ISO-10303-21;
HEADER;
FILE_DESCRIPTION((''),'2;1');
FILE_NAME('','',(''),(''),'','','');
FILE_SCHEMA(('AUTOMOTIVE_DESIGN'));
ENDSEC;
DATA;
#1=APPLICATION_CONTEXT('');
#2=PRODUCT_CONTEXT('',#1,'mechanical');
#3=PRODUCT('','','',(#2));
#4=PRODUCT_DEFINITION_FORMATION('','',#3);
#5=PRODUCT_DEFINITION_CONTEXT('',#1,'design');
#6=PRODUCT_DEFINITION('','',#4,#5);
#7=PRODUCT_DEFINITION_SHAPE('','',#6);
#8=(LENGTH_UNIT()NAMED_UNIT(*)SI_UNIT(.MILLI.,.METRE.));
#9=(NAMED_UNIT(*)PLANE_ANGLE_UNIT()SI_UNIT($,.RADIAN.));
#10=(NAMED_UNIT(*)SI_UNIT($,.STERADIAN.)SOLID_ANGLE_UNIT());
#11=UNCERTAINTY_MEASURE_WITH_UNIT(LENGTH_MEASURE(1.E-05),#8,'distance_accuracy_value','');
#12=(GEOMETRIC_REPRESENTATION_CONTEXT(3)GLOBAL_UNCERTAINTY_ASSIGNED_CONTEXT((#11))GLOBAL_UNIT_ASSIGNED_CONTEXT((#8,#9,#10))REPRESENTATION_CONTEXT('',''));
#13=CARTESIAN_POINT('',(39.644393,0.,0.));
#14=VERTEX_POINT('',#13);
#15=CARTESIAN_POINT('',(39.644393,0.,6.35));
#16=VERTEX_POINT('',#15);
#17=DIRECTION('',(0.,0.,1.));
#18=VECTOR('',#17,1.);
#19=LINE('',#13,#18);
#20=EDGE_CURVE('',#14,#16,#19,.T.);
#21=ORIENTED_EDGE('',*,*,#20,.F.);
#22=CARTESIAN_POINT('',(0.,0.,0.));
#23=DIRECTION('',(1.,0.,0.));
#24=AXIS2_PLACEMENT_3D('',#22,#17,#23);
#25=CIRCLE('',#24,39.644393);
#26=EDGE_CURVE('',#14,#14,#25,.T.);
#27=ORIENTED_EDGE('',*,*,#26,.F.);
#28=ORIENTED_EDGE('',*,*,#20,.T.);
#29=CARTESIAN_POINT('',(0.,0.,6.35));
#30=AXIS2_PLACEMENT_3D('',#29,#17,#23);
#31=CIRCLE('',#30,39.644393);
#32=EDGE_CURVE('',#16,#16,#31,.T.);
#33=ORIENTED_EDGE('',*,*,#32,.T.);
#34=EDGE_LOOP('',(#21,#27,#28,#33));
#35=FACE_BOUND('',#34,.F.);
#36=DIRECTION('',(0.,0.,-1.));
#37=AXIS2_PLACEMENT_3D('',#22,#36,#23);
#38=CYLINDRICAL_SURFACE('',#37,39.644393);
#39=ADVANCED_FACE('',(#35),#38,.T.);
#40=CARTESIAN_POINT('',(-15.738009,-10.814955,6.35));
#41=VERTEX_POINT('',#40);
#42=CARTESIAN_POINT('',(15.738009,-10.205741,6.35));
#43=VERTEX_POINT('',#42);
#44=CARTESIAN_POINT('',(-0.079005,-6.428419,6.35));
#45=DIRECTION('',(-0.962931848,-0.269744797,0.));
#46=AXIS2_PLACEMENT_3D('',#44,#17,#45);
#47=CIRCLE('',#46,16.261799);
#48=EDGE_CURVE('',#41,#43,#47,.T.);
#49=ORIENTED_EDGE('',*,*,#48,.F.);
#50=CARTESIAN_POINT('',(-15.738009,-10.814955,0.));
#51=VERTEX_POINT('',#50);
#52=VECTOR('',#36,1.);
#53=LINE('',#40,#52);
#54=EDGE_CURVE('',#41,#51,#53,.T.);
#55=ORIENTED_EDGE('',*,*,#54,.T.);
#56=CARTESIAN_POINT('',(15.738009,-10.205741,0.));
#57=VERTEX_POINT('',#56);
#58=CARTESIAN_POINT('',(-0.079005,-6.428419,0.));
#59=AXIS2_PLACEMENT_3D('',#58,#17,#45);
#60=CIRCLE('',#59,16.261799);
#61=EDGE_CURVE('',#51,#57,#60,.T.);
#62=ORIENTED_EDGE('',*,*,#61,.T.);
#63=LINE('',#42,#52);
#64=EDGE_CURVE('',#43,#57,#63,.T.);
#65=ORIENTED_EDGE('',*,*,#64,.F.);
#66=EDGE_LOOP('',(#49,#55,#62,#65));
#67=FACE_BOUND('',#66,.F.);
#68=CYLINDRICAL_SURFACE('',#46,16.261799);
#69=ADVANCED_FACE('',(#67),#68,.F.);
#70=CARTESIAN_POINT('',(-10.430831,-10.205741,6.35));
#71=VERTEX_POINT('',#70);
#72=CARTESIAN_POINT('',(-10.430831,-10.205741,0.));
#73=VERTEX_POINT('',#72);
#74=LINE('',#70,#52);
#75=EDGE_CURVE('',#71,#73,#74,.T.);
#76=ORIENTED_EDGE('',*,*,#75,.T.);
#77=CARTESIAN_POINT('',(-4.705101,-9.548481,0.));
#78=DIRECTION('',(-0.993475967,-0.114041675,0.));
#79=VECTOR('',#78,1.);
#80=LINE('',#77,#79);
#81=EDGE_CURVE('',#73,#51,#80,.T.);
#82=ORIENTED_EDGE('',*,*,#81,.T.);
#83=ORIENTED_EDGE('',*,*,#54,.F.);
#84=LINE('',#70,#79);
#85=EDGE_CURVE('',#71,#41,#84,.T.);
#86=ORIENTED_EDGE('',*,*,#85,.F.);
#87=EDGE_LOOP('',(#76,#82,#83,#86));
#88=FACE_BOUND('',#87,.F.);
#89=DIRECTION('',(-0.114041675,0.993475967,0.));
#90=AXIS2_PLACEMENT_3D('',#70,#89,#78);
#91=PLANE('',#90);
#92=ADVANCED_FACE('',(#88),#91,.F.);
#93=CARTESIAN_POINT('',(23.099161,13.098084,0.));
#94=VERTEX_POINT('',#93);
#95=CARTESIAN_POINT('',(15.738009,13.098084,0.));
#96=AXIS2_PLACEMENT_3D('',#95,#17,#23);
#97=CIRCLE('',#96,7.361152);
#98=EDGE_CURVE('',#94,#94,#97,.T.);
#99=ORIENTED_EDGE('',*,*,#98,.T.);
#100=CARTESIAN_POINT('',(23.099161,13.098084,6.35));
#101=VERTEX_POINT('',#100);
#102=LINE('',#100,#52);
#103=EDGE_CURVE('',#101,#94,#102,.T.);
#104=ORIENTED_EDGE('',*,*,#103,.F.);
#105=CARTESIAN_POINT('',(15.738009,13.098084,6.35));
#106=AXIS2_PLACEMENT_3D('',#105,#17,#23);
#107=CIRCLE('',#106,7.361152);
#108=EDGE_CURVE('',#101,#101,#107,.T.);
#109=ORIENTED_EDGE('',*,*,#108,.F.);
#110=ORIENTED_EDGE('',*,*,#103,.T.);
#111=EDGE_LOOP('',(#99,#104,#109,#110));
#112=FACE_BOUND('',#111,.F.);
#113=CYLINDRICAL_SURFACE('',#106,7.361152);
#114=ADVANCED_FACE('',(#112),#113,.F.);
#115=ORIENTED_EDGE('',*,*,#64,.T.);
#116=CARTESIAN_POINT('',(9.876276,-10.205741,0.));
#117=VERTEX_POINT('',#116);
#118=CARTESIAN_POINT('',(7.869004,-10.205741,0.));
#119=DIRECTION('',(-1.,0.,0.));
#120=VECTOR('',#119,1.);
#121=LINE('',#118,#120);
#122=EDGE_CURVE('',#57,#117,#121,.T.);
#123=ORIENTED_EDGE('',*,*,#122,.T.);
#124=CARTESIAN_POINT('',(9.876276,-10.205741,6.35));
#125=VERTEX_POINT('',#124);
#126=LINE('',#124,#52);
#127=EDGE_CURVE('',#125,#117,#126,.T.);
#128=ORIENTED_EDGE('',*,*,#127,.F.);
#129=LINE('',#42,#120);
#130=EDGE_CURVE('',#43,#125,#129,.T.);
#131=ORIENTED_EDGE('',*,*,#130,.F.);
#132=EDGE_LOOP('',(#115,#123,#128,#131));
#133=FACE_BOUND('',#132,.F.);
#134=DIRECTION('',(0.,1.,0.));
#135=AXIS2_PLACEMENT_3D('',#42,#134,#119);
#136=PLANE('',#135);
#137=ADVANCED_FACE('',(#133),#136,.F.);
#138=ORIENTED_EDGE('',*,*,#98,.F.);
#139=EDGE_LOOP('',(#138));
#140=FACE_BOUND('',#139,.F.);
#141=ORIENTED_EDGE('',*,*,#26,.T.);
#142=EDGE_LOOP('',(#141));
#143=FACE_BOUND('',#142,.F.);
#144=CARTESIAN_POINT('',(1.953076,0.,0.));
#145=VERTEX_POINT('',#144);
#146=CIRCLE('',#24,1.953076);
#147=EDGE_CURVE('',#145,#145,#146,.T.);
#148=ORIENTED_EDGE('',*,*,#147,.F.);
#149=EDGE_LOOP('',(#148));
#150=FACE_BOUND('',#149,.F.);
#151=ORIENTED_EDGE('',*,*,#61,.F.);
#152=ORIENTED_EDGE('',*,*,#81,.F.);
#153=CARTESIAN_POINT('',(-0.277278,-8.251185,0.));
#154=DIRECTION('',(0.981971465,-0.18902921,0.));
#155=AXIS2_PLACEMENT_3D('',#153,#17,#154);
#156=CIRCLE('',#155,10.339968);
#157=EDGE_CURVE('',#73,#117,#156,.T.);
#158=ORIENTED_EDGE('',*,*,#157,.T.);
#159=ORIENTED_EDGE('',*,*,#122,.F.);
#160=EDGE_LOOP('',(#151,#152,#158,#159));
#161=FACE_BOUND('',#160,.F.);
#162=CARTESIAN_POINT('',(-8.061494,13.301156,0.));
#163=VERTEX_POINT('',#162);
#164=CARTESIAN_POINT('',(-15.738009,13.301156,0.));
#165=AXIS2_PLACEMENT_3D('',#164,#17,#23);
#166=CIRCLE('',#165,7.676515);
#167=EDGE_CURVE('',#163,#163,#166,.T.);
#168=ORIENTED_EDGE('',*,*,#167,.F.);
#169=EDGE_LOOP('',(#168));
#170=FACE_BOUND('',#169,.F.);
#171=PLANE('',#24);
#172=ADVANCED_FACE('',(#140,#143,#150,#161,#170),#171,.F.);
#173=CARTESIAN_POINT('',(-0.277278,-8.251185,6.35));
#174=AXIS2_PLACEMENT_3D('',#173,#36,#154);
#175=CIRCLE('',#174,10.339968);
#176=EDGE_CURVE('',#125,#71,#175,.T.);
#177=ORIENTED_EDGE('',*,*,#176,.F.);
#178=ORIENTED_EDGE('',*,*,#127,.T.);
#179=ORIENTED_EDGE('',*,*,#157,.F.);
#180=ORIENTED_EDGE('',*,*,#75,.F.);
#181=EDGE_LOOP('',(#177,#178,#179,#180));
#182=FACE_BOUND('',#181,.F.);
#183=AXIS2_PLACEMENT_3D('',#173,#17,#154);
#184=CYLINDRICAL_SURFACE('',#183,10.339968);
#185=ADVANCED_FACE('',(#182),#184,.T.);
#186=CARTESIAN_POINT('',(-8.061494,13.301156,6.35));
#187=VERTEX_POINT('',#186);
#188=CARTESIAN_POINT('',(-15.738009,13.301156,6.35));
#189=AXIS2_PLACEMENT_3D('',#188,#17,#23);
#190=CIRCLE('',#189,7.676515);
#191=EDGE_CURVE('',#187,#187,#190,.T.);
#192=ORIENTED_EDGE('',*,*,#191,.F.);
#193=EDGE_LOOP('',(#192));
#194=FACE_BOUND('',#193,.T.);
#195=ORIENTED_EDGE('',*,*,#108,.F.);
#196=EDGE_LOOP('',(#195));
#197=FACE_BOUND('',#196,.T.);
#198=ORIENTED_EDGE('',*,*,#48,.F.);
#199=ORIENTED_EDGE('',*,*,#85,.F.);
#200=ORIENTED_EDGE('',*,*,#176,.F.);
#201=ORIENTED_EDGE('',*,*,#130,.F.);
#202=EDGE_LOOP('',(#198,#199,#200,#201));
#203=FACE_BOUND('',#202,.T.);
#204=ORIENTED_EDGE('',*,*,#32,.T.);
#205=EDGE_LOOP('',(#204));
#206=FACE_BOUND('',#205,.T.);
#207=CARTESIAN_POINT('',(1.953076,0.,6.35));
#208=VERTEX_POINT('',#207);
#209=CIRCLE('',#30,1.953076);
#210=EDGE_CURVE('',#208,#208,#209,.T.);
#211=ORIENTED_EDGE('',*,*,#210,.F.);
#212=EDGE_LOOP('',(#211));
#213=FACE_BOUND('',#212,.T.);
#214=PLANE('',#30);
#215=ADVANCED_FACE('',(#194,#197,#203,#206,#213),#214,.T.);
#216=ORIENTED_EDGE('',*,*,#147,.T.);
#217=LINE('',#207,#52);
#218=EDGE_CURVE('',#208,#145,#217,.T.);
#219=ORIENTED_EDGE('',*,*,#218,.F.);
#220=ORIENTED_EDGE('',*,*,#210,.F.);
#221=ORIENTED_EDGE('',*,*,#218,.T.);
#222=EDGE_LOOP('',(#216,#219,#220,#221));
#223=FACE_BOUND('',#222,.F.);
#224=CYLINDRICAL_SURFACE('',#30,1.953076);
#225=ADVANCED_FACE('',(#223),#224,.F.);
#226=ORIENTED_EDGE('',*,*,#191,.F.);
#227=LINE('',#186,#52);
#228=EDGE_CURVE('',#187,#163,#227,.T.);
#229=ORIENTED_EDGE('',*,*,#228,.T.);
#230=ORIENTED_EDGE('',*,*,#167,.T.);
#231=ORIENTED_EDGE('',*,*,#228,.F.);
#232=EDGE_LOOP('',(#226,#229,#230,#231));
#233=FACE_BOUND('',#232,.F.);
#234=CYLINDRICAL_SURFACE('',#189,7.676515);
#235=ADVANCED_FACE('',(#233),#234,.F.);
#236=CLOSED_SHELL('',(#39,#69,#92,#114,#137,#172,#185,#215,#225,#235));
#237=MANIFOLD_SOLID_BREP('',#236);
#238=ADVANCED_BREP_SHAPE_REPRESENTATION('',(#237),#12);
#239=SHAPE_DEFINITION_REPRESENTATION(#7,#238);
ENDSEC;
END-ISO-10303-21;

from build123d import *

# Parameters (mm, degrees)
F0_R     = 39.644393
F1_DEPTH = 6.35
F2_R     = 7.676515
F2_R_2   = 7.361152
F2_R_3   = 1.953076
F3_DEPTH = 6.351


with BuildPart() as f1:
    # F0 (on Top) → F1 (new body)
    with BuildSketch(Plane.XY):
        Circle(F0_R)
    extrude(amount=F1_DEPTH)

    # F2 (on face) → F3 (cut, through all)
    with BuildSketch(Plane.XY.offset(6.35)):
        with Locations((-15.738009, 13.301156)):
            Circle(F2_R)
        with Locations((15.738009, 13.098084)):
            Circle(F2_R_2)
        Circle(F2_R_3)
        with BuildLine():
            Line((-10.430831, -10.205741), (-15.738009, -10.814955))
            ThreePointArc((-15.738009, -10.814955), (0.235681, -22.687173), (15.738009, -10.205741))
            Line((15.738009, -10.205741), (9.876276, -10.205741))
            ThreePointArc((9.876276, -10.205741), (-0.277277, -18.591153), (-10.430831, -10.205741))
        make_face()
    extrude(amount=-F3_DEPTH, mode=Mode.SUBTRACT)


solid = f1.part
